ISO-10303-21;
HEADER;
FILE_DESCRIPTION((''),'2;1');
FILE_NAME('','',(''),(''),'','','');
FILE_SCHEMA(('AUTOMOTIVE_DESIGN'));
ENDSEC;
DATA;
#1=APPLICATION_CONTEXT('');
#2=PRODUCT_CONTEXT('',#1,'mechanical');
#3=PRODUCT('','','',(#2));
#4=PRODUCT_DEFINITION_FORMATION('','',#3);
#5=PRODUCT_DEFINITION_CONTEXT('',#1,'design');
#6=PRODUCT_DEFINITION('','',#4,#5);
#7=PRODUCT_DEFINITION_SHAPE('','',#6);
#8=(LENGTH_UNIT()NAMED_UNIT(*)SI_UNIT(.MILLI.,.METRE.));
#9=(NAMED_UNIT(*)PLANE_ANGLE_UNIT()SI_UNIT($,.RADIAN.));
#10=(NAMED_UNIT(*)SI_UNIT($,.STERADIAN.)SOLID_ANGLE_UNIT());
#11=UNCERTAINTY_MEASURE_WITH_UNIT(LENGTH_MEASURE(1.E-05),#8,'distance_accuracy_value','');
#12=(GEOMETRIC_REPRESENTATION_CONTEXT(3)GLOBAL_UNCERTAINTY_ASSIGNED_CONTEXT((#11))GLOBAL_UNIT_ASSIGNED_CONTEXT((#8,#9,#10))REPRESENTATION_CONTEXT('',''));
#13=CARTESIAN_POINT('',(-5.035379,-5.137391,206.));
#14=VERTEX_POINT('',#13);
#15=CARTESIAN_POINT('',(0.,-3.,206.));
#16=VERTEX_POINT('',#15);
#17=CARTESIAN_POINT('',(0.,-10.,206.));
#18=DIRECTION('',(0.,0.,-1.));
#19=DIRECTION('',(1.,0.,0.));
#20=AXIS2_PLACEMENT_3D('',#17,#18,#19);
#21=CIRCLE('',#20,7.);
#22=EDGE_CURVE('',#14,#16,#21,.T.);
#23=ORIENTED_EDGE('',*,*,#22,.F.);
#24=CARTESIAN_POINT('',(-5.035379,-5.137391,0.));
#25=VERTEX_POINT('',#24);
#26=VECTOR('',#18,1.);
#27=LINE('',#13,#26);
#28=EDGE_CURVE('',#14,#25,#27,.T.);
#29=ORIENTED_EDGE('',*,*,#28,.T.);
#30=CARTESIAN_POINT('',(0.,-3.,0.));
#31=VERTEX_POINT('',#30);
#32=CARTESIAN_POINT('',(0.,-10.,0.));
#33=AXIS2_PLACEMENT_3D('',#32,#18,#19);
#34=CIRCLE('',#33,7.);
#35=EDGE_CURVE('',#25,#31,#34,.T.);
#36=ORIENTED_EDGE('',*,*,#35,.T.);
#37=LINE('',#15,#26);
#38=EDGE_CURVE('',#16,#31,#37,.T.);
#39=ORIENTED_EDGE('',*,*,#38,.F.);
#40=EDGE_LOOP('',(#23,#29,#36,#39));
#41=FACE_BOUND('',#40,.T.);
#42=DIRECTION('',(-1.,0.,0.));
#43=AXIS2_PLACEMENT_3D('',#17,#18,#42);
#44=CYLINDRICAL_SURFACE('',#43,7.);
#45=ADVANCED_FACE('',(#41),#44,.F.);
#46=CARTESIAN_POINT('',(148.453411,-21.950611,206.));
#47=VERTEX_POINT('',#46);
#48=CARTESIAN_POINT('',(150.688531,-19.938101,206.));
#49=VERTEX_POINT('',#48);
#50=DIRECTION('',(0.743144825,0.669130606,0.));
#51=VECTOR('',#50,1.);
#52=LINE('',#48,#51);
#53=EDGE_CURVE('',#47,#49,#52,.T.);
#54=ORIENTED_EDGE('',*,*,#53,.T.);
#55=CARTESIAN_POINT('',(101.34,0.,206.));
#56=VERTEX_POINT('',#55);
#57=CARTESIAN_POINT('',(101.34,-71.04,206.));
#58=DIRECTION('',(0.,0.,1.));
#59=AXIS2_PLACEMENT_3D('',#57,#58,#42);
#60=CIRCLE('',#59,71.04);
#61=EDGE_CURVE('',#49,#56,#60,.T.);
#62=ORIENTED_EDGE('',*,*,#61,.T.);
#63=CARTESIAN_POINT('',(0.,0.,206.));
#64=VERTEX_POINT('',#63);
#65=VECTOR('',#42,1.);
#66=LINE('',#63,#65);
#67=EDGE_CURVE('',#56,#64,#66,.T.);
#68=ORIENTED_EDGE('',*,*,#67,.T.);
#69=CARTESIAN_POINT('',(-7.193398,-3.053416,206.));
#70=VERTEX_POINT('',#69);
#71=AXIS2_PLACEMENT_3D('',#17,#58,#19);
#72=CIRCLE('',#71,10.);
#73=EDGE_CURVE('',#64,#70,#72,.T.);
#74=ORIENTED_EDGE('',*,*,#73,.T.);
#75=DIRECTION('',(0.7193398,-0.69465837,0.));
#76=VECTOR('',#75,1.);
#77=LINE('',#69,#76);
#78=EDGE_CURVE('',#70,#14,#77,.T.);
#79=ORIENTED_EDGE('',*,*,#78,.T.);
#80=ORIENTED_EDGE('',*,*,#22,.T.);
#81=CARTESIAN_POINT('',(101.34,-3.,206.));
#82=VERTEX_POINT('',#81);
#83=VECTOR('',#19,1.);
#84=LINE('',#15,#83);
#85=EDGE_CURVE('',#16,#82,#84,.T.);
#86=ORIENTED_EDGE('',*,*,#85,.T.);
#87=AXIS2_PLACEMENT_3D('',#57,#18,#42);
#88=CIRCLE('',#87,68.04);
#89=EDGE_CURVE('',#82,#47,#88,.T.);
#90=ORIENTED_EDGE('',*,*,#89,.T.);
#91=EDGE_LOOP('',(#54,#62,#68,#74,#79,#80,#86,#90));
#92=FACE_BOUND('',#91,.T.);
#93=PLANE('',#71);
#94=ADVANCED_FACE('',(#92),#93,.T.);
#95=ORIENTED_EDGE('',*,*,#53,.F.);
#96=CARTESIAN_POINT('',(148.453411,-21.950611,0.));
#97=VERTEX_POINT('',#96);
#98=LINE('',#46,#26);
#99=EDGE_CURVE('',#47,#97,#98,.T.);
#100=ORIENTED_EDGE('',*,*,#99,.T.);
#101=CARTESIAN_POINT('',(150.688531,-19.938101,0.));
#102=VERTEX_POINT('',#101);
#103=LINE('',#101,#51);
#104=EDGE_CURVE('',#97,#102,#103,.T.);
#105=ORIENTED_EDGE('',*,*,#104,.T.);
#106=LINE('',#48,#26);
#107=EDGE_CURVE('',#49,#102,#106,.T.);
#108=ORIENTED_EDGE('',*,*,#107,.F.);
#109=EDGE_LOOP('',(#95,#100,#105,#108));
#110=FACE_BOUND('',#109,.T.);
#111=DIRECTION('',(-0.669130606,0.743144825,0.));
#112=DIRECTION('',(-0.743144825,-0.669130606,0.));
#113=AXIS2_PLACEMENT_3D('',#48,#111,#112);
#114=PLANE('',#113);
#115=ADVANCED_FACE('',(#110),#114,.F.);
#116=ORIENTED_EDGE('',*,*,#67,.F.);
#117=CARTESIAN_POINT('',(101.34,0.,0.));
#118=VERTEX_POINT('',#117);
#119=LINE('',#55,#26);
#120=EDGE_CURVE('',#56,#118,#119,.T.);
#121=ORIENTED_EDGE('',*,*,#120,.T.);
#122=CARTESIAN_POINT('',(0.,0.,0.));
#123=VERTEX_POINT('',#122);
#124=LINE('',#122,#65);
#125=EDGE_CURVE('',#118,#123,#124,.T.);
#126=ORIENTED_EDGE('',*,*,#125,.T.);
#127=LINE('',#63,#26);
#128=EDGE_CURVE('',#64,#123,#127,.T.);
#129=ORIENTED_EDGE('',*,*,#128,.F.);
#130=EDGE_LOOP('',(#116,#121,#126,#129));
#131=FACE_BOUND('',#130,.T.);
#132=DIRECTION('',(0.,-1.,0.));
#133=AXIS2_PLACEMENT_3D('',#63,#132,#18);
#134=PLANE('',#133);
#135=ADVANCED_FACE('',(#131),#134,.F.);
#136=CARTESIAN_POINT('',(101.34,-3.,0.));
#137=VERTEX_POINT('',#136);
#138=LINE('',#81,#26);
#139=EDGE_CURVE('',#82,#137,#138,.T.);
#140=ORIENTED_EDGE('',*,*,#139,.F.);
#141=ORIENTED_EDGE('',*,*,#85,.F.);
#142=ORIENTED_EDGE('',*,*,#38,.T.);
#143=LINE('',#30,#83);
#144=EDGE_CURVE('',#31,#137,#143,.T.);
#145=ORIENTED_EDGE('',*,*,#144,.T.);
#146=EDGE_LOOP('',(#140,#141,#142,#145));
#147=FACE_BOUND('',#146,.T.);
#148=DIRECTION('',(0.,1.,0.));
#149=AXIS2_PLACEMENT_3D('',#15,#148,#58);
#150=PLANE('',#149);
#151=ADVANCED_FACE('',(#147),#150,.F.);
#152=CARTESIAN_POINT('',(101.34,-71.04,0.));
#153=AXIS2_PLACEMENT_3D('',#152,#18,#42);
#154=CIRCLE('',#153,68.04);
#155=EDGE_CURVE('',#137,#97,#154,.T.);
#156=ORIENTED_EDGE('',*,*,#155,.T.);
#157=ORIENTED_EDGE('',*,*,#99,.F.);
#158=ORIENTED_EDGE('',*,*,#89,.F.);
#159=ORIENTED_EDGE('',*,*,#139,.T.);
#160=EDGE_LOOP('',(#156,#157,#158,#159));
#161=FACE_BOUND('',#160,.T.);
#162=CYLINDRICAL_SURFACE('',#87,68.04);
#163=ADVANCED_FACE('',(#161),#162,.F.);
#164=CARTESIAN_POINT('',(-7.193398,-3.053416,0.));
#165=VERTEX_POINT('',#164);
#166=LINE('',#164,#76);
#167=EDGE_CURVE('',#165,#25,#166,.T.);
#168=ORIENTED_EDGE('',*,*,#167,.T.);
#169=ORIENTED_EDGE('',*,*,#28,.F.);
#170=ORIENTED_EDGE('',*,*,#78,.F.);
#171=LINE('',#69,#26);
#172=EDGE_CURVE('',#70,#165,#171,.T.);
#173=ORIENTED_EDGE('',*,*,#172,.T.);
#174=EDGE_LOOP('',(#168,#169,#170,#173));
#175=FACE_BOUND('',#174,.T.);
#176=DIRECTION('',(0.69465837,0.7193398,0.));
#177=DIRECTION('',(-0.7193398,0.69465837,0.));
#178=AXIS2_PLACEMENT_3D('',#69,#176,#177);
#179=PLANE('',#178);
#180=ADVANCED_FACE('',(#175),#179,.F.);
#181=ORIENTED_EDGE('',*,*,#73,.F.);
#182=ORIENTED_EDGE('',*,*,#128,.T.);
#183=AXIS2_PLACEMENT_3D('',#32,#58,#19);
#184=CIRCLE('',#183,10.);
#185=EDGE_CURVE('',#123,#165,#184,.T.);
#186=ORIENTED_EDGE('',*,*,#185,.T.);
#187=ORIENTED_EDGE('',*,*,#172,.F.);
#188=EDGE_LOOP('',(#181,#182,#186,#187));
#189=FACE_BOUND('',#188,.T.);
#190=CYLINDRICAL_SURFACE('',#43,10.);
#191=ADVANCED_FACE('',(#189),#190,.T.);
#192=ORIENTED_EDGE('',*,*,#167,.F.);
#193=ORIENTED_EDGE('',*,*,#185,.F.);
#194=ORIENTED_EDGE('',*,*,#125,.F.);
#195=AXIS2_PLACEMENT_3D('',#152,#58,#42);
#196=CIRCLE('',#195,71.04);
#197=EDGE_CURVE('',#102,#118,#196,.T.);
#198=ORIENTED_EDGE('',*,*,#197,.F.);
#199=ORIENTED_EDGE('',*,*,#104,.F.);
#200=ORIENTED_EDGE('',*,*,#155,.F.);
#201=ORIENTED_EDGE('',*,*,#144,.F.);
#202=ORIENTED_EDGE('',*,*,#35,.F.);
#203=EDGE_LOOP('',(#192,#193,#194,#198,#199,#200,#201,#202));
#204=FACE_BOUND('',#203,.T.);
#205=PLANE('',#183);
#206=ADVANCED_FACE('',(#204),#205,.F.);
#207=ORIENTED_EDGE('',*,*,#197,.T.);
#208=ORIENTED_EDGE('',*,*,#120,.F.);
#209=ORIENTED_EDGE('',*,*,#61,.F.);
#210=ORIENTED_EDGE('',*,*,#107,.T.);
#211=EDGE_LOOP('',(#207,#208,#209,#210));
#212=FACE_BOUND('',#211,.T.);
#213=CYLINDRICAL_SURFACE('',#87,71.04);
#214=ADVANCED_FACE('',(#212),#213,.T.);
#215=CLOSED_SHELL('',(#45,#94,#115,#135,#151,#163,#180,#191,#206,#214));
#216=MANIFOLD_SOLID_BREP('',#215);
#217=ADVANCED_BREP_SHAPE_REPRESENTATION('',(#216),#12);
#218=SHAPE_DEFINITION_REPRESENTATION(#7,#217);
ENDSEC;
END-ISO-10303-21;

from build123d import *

# Parameters (mm, degrees)
BOSS_EXTRUDE1_DEPTH = 206


with BuildPart() as part:
    # Sketch1 → Boss-Extrude1 (new body)
    with BuildSketch(Plane.XY):
        with BuildLine():
            Line((0, 0), (101.34, 0))
            ThreePointArc((101.34, 0), (127.952052396, -5.172858972), (150.688530637, -19.938100584))
            Line((150.688530637, -19.938100584), (148.453411139, -21.95061122))
            ThreePointArc((148.453411139, -21.95061122), (126.730939205, -7.915188663), (101.34, -3))
            Line((101.34, -3), (0, -3))
            ThreePointArc((0, -3), (-2.735117899, -3.556466026), (-5.035378602, -5.137391407))
            Line((-5.035378602, -5.137391407), (-7.193398003, -3.053416295))
            ThreePointArc((-7.193398003, -3.053416295), (-3.907311285, -0.794951465), (0, 0))
        make_face()
    extrude(amount=BOSS_EXTRUDE1_DEPTH)


solid = part.part
